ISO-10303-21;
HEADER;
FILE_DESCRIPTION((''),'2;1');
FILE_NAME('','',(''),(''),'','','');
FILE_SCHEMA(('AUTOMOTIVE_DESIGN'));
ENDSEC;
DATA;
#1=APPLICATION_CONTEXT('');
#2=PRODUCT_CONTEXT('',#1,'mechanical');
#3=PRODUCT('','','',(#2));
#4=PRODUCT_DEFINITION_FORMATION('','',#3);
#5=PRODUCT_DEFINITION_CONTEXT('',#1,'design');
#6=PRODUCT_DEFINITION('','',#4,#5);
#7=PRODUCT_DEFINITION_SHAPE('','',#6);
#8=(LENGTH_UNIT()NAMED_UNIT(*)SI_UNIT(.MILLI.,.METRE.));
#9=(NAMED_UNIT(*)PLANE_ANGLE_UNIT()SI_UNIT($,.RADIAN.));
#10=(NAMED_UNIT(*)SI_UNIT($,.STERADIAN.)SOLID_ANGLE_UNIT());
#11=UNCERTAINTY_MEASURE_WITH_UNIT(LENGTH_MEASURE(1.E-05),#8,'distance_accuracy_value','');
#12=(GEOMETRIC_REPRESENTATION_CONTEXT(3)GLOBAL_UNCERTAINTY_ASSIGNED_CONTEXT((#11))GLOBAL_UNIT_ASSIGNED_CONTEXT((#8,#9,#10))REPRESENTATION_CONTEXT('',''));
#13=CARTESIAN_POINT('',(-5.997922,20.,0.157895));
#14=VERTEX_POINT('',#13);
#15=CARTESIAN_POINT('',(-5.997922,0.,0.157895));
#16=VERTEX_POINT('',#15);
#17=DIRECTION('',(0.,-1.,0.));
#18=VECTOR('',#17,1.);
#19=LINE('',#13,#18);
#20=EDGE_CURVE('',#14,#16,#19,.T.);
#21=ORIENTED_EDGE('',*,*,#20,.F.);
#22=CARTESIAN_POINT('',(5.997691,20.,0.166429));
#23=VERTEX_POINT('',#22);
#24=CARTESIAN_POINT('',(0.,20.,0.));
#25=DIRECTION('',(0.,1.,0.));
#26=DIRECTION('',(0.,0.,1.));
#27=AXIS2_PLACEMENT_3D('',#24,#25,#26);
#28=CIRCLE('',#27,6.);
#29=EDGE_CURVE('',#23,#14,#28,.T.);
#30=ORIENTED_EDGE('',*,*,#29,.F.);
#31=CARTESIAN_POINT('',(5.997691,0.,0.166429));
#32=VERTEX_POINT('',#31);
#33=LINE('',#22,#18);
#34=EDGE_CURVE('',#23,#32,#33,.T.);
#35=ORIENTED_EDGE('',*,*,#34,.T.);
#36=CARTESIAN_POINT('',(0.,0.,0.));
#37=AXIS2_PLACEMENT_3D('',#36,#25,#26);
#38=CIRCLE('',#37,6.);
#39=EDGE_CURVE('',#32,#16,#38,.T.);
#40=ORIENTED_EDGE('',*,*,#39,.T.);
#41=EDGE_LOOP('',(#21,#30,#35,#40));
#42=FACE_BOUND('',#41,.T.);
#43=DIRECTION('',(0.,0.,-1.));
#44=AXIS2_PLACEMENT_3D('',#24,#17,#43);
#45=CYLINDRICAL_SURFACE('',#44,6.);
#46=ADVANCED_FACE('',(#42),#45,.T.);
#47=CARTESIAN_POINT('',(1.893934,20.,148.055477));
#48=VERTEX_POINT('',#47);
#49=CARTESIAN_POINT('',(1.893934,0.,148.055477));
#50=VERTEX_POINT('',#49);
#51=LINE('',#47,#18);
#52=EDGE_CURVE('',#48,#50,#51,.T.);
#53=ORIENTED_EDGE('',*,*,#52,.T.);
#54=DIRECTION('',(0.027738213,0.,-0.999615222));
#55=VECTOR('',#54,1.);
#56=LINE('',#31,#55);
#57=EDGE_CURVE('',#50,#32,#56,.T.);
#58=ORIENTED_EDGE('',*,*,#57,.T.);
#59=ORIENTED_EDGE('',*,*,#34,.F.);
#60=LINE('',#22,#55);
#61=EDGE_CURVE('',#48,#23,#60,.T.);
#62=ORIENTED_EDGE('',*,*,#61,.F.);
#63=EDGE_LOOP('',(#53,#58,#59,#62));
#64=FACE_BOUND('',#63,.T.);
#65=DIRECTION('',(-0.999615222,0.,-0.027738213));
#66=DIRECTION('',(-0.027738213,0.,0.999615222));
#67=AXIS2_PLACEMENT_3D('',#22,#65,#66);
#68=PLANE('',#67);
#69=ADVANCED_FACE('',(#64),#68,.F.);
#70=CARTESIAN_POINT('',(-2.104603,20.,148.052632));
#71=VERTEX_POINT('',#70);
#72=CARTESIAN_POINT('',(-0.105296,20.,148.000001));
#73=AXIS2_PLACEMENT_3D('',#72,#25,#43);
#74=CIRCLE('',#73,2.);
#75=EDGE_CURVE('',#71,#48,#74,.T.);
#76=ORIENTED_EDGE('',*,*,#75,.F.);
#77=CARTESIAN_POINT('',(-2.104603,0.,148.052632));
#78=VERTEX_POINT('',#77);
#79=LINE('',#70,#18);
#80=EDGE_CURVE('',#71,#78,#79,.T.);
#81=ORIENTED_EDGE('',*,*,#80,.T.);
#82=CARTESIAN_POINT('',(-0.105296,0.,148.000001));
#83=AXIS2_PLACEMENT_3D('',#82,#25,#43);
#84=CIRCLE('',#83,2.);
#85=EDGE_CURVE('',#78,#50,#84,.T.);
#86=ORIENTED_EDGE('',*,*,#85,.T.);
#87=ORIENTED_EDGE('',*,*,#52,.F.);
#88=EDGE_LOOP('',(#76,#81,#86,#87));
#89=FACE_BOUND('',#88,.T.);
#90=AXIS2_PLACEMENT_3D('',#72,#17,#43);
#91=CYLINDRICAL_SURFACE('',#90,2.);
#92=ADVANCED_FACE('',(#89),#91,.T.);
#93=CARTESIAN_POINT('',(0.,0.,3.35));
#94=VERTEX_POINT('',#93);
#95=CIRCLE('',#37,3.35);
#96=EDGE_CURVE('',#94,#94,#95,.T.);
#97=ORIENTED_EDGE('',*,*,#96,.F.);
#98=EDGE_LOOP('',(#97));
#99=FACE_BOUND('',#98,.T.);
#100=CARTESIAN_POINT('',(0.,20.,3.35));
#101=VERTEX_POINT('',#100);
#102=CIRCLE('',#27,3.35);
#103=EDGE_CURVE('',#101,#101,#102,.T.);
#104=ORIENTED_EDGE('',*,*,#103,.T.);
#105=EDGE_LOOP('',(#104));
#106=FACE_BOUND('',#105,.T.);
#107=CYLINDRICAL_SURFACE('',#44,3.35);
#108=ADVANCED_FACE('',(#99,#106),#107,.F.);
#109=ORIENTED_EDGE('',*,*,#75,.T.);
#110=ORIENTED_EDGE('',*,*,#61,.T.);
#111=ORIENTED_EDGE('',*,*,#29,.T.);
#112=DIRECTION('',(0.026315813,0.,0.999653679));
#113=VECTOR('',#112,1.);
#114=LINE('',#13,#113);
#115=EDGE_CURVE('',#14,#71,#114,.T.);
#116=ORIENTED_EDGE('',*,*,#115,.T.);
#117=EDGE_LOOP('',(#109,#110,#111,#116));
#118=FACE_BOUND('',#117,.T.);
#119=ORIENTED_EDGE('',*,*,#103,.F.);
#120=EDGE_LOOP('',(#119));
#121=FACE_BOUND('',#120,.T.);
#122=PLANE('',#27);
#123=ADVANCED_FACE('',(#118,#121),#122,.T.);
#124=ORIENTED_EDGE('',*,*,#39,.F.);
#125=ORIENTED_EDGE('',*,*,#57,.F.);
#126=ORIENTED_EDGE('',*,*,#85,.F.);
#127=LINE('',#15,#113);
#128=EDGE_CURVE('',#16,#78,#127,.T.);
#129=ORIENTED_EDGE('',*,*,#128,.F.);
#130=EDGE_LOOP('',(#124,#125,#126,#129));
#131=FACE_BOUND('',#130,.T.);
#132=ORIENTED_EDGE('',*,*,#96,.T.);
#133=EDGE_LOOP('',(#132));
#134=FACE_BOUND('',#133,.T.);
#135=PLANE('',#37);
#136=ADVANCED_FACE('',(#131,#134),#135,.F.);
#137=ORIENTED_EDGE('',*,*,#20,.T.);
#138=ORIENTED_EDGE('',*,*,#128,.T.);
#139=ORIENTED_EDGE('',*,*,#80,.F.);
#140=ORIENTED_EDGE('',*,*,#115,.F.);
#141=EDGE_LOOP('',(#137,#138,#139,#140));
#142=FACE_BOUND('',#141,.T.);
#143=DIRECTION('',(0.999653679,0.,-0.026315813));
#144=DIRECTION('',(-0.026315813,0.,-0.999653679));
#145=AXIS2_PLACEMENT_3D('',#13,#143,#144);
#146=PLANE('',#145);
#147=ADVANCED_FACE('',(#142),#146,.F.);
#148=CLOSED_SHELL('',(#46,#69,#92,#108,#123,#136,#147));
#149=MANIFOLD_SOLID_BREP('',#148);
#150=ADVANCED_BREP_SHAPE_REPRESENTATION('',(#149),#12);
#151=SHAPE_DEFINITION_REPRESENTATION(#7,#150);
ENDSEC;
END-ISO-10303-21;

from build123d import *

# Parameters (mm, degrees)
SKETCH_1_R      = 3.35
EXTRUDE_1_DEPTH = 20


with BuildPart() as part:
    # 草图1 → 凸台-拉伸1 (new body)
    with BuildSketch(Plane(origin=(0, 0, 0), x_dir=(1, 0, 0), z_dir=(0, 1, 0))):
        with BuildLine():
            Line((-5.997922074, -0.157894881), (-2.104603424, -148.052632133))
            ThreePointArc((-2.104603424, -148.052632133), (-0.106718985, -150), (1.893934378, -148.055476932))
            Line((1.893934378, -148.055476932), (5.99769133, -0.166429278))
            ThreePointArc((5.99769133, -0.166429278), (0.004268758, 5.999998481), (-5.997922074, -0.157894881))
        make_face()
        with Locations(Location((0, 0, 0), (0, 0, 270))):
            Circle(SKETCH_1_R, mode=Mode.SUBTRACT)
    extrude(amount=EXTRUDE_1_DEPTH)


solid = part.part
